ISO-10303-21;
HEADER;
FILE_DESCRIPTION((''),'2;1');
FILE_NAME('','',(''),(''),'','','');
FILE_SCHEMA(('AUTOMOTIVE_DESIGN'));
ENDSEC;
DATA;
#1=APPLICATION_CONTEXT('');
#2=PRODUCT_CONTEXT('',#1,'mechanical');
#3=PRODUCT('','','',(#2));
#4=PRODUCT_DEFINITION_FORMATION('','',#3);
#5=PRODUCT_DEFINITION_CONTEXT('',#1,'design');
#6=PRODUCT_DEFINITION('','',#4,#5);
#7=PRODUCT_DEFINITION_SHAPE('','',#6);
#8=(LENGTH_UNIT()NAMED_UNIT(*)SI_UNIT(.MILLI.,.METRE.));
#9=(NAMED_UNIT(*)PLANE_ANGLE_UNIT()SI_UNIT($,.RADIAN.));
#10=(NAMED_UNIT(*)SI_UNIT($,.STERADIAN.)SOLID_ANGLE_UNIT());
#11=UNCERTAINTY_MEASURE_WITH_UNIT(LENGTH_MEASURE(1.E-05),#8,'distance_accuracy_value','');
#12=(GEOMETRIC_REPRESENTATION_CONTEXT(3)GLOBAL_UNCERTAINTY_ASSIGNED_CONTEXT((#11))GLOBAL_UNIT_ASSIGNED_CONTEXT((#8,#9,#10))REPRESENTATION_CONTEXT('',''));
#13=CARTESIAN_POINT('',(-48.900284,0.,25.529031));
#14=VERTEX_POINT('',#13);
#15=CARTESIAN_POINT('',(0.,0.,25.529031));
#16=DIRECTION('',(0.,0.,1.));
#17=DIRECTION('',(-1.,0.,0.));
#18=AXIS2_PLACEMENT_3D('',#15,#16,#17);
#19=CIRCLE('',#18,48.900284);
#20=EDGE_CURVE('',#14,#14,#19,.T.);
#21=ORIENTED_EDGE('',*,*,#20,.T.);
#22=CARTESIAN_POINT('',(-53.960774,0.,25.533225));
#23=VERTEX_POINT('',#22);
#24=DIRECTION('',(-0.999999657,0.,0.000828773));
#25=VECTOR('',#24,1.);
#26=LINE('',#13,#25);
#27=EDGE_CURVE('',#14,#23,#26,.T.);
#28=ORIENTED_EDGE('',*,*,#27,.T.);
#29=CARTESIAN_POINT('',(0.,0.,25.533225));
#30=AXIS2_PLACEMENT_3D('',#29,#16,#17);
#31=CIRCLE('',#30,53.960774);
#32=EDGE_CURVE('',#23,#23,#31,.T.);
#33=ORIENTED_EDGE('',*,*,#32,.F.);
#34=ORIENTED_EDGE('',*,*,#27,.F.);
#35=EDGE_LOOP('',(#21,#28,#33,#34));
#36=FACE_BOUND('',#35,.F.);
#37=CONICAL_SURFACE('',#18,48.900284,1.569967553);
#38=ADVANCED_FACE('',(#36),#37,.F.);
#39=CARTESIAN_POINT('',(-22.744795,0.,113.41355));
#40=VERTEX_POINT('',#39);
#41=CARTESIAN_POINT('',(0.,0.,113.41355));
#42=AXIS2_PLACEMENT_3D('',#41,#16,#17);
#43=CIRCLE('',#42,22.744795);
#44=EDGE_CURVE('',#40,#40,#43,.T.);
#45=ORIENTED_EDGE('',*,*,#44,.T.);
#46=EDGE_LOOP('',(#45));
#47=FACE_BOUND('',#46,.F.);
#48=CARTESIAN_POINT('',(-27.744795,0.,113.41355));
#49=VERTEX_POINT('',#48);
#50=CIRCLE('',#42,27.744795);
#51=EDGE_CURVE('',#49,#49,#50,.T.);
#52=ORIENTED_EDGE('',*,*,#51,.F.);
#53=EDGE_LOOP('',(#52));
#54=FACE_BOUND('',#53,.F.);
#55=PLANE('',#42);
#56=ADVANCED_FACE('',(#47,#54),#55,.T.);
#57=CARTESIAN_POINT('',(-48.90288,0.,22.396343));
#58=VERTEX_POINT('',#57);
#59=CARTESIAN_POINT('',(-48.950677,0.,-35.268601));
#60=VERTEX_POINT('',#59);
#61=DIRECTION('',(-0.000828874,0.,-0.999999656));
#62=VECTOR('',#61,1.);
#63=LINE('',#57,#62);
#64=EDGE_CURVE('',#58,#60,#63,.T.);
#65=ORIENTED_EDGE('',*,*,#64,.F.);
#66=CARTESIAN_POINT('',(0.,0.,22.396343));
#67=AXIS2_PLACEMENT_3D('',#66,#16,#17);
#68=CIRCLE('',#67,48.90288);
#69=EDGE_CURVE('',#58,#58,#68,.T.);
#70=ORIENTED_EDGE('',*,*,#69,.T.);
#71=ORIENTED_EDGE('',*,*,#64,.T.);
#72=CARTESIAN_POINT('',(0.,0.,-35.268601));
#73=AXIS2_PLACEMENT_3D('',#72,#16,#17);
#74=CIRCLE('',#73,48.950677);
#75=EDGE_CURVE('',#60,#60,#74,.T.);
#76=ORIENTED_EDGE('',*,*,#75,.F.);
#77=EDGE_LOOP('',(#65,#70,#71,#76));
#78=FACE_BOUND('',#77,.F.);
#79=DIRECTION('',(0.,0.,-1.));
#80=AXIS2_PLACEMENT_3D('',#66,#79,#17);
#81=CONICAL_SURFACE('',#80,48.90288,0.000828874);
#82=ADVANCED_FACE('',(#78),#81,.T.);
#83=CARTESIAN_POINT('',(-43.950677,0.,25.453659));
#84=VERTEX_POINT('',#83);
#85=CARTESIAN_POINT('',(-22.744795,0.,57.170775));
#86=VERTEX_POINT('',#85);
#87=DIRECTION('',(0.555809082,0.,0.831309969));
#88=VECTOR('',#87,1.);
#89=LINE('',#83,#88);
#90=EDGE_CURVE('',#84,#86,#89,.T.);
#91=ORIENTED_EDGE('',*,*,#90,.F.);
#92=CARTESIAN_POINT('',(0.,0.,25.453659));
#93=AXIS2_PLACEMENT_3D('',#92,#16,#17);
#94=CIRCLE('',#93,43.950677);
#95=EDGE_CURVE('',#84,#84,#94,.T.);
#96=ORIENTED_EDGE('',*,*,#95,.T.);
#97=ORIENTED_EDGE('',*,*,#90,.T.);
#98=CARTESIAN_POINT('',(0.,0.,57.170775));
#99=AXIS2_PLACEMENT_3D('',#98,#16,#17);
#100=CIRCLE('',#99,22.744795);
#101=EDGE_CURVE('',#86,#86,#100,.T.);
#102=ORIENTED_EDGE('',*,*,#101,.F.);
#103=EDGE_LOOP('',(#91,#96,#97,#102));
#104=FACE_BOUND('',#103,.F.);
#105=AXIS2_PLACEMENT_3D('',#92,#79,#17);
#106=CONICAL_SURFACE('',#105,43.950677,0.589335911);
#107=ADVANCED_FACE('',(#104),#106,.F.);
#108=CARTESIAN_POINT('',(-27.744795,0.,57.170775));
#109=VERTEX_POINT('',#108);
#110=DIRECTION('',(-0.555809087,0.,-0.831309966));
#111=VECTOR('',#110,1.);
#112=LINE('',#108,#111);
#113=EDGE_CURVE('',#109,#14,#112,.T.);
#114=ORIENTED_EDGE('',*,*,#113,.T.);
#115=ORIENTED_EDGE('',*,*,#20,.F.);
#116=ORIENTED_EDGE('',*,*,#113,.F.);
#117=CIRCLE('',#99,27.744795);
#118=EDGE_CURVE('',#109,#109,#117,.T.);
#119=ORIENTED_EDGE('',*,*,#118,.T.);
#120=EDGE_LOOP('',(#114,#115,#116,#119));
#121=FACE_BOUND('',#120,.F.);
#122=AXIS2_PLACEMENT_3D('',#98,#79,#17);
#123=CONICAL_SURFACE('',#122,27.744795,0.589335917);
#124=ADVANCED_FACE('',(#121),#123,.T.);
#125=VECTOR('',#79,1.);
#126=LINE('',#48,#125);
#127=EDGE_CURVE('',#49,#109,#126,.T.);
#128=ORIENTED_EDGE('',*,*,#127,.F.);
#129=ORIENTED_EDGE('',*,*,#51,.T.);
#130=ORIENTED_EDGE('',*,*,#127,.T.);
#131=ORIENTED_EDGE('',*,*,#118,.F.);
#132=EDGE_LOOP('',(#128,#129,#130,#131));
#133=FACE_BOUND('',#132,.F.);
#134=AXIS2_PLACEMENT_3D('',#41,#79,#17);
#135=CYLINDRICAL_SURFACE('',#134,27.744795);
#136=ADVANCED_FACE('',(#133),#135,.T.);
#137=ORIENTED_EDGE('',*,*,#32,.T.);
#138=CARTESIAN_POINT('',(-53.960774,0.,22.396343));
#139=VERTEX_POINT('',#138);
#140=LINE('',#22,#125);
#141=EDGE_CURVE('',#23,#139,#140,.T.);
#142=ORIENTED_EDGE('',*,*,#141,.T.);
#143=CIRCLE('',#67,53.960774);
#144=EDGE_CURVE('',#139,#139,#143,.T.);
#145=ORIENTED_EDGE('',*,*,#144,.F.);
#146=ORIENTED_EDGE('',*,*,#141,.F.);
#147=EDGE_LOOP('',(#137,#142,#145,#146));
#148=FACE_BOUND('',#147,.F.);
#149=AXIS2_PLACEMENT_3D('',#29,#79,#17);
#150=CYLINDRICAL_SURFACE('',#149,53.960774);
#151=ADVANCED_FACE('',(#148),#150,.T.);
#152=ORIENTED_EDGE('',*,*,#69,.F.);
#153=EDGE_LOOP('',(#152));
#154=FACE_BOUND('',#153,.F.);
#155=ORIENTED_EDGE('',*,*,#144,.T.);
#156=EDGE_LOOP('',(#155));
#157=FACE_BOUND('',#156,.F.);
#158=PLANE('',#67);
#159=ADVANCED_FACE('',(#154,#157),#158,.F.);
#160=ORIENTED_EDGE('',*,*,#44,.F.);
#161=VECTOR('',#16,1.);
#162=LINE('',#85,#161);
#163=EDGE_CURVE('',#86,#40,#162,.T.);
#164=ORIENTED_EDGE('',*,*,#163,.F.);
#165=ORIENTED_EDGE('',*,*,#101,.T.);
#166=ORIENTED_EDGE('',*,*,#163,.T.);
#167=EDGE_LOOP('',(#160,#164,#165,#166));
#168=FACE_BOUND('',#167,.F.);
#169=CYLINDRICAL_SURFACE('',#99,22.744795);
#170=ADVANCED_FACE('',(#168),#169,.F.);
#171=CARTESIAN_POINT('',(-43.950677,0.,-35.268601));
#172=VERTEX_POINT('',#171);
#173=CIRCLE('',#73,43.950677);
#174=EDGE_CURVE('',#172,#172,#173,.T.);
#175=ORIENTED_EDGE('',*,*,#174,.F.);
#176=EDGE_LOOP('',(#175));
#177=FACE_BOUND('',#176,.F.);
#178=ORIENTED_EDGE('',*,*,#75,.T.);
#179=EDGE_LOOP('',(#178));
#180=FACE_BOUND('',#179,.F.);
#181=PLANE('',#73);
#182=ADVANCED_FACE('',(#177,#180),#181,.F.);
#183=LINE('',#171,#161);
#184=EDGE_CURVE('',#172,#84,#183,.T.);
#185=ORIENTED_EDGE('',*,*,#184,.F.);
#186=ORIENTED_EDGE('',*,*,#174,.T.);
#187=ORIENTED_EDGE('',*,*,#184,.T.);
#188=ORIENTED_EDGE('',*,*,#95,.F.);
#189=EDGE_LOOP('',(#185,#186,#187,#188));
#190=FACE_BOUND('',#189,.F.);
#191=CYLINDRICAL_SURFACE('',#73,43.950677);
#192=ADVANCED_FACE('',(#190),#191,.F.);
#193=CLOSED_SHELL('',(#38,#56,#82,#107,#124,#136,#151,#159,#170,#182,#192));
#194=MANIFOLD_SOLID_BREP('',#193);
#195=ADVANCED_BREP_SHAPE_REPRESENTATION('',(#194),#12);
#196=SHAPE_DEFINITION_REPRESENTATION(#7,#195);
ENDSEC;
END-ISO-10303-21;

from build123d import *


with BuildPart() as f1:
    # F0 (on Front) → F1 (revolve)
    with BuildSketch(Plane.XZ):
        Polygon((-22.744795, 113.41355), (-27.744795, 113.41355), (-27.744795, 57.170775), (-48.900284, 25.529031), (-48.90288, 22.396343), (-48.950677, -35.268601), (-43.950677, -35.268601), (-43.950677, 25.453659), (-22.744795, 57.170775), align=None)
        Polygon((-48.90288, 22.396343), (-48.900284, 25.529031), (-53.960774, 25.533225), (-53.960774, 22.396343), align=None)
    revolve(axis=Axis((0, 0, 37.688918), (0, 0, 1)))


solid = f1.part
